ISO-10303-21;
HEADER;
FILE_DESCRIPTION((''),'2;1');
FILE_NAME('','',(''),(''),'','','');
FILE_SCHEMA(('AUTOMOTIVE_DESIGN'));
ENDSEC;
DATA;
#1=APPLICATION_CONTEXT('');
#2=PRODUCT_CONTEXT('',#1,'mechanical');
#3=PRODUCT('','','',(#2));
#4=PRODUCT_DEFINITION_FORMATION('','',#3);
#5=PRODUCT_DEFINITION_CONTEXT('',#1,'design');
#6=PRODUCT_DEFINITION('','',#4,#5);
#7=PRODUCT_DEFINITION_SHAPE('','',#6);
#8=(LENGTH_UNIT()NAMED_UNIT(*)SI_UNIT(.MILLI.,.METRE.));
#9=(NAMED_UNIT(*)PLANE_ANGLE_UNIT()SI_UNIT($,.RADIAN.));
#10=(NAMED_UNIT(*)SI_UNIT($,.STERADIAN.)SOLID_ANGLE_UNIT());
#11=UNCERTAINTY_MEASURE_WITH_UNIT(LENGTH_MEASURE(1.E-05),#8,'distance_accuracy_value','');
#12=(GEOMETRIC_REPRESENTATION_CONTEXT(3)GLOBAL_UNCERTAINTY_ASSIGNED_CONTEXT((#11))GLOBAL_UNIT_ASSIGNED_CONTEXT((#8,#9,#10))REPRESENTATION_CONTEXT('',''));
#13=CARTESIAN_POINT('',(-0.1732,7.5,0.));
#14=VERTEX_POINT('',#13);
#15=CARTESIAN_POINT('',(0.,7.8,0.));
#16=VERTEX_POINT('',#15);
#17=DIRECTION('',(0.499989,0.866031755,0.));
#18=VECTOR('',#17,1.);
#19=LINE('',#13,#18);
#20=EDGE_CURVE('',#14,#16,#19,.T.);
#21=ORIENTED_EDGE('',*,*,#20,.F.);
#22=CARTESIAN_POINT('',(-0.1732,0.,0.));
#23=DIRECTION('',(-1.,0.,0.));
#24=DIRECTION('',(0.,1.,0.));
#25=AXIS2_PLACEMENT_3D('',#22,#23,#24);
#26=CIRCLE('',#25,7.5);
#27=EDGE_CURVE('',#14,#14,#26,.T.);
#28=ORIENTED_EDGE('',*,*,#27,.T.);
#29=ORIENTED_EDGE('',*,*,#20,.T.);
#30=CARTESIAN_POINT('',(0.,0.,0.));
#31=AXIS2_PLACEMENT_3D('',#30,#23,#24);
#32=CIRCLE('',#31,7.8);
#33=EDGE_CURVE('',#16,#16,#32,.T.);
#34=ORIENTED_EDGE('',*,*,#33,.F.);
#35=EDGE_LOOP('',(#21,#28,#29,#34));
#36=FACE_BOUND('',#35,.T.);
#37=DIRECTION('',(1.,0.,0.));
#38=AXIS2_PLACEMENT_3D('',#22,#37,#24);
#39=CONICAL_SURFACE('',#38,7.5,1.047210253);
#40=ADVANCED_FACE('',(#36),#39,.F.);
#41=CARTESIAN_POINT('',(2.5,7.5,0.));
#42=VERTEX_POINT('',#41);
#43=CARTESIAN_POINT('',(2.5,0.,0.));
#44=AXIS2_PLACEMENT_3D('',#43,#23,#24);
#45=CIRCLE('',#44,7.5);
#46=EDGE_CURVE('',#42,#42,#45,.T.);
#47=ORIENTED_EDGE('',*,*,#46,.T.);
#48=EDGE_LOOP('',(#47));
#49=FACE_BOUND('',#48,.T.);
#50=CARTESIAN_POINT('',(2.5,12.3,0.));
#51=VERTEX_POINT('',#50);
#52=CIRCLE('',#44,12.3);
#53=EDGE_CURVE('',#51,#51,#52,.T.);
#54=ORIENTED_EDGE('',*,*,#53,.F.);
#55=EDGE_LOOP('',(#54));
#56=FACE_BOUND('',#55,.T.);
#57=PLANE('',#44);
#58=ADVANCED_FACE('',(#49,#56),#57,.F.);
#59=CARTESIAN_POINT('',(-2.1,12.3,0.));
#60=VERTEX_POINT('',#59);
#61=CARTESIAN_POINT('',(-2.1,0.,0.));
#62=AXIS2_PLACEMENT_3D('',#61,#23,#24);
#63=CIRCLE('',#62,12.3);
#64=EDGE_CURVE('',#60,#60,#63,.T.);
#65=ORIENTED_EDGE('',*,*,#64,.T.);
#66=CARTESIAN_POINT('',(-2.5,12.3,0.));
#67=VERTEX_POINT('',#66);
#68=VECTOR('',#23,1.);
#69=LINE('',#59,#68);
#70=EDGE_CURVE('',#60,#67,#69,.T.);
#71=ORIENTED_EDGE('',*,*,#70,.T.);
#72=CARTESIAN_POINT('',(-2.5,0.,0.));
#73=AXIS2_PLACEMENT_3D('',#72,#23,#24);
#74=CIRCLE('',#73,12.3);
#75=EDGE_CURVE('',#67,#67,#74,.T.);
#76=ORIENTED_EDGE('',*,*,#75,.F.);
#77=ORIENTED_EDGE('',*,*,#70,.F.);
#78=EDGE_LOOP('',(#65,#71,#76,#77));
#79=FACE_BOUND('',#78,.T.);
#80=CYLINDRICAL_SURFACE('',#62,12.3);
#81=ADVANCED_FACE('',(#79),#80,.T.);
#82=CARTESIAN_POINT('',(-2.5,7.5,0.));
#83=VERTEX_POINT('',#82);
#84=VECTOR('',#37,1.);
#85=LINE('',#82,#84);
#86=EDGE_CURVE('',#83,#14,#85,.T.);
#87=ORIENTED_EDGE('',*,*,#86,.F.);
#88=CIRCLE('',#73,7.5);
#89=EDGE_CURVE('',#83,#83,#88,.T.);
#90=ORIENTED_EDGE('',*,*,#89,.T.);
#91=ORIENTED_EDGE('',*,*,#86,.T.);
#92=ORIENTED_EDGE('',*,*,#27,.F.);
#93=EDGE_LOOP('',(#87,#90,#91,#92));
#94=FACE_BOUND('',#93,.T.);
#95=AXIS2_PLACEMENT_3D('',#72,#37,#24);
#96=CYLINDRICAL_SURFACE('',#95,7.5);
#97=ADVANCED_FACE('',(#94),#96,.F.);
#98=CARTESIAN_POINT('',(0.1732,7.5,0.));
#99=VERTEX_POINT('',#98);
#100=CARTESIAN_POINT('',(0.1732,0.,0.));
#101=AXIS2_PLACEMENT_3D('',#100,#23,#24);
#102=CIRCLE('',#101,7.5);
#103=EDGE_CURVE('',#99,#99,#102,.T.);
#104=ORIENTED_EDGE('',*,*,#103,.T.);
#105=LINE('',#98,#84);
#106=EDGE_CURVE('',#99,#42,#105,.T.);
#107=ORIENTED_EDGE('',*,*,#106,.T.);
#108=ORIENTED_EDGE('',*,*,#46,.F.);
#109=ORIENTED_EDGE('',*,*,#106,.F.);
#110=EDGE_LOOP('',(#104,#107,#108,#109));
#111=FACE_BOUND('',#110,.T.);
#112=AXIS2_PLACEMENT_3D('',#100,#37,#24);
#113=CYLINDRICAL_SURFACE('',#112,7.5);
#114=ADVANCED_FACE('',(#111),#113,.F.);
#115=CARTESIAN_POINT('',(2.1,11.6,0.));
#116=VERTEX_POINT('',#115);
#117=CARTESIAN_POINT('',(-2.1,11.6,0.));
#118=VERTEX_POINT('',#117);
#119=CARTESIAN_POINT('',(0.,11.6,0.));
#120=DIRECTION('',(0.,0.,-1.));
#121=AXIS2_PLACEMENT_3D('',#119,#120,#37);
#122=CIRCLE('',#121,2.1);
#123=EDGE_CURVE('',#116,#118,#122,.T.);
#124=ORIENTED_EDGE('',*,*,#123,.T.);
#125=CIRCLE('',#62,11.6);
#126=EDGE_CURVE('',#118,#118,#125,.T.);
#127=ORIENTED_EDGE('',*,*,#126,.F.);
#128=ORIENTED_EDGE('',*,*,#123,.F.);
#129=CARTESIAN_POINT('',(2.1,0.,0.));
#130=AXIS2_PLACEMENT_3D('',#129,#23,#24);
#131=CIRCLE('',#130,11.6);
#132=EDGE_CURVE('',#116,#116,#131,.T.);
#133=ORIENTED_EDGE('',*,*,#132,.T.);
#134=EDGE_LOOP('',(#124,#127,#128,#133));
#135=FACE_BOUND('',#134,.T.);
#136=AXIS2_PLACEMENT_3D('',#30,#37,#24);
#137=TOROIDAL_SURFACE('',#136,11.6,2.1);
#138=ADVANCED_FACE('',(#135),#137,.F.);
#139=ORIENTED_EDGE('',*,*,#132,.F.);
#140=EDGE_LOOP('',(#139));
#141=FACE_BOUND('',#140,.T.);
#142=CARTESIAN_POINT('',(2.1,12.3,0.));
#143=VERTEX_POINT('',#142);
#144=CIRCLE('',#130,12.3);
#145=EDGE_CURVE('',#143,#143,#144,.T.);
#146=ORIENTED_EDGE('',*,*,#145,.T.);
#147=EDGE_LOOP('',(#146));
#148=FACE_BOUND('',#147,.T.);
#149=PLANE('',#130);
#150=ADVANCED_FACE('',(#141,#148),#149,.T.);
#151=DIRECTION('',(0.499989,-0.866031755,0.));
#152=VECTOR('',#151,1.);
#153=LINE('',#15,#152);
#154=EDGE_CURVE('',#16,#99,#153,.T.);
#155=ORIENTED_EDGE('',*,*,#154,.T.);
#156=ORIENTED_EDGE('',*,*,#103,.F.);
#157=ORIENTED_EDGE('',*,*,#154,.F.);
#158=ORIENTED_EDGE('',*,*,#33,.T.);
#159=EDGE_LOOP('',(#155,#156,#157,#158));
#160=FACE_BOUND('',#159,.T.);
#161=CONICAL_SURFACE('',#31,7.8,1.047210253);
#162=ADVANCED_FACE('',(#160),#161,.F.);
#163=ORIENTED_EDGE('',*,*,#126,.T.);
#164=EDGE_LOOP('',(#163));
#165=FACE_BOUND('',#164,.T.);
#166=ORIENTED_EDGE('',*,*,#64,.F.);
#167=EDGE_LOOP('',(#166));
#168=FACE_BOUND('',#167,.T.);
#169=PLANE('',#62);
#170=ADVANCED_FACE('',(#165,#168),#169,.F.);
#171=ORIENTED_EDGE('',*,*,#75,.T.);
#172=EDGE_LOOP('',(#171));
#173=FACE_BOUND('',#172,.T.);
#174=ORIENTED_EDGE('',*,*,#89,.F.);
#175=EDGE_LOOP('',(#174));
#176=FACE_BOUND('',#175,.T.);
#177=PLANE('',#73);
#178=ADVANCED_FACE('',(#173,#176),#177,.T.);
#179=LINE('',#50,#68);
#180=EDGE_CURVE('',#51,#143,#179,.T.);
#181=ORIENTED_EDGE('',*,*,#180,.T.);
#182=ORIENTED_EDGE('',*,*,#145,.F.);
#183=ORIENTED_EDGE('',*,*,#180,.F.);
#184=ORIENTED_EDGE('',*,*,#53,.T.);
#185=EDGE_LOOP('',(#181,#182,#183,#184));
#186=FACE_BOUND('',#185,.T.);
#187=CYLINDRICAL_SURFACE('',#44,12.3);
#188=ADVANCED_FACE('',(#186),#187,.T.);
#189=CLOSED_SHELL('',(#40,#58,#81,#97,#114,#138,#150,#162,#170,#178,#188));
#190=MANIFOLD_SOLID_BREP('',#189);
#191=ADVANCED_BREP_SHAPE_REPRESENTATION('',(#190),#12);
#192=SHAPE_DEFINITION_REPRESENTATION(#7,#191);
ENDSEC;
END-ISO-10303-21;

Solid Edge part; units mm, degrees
sketch "Sketch1" plane through (0, 0, 0) normal (0, 0, 1) x (1, 0, 0)
  line L0 (-2.5, 12.3) -> (-2.5, 7.5)
  line L1 (-2.5, 7.5) -> (-0.1732, 7.5)
  line L2 (-0.1732, 7.5) -> (0, 7.8)
  line L3 (0, 7.8) -> (0.1732, 7.5)
  line L4 (0.1732, 7.5) -> (2.5, 7.5)
  line L5 (2.5, 7.5) -> (2.5, 12.3)
  line L6 (2.5, 12.3) -> (2.1, 12.3)
  line L7 (2.1, 12.3) -> (2.1, 11.6)
  arc A0 (2.1, 11.6) -> (-2.1, 11.6) centre (0, 11.6) cw
  line L8 (-2.1, 11.6) -> (-2.1, 12.3)
  line L9 (-2.1, 12.3) -> (-2.5, 12.3)
revolve "RevolvedProtrusion1" add sketch "Sketch1" angle 360 about axis through (2.5, 0, 0) along (-1, 0, 0)
